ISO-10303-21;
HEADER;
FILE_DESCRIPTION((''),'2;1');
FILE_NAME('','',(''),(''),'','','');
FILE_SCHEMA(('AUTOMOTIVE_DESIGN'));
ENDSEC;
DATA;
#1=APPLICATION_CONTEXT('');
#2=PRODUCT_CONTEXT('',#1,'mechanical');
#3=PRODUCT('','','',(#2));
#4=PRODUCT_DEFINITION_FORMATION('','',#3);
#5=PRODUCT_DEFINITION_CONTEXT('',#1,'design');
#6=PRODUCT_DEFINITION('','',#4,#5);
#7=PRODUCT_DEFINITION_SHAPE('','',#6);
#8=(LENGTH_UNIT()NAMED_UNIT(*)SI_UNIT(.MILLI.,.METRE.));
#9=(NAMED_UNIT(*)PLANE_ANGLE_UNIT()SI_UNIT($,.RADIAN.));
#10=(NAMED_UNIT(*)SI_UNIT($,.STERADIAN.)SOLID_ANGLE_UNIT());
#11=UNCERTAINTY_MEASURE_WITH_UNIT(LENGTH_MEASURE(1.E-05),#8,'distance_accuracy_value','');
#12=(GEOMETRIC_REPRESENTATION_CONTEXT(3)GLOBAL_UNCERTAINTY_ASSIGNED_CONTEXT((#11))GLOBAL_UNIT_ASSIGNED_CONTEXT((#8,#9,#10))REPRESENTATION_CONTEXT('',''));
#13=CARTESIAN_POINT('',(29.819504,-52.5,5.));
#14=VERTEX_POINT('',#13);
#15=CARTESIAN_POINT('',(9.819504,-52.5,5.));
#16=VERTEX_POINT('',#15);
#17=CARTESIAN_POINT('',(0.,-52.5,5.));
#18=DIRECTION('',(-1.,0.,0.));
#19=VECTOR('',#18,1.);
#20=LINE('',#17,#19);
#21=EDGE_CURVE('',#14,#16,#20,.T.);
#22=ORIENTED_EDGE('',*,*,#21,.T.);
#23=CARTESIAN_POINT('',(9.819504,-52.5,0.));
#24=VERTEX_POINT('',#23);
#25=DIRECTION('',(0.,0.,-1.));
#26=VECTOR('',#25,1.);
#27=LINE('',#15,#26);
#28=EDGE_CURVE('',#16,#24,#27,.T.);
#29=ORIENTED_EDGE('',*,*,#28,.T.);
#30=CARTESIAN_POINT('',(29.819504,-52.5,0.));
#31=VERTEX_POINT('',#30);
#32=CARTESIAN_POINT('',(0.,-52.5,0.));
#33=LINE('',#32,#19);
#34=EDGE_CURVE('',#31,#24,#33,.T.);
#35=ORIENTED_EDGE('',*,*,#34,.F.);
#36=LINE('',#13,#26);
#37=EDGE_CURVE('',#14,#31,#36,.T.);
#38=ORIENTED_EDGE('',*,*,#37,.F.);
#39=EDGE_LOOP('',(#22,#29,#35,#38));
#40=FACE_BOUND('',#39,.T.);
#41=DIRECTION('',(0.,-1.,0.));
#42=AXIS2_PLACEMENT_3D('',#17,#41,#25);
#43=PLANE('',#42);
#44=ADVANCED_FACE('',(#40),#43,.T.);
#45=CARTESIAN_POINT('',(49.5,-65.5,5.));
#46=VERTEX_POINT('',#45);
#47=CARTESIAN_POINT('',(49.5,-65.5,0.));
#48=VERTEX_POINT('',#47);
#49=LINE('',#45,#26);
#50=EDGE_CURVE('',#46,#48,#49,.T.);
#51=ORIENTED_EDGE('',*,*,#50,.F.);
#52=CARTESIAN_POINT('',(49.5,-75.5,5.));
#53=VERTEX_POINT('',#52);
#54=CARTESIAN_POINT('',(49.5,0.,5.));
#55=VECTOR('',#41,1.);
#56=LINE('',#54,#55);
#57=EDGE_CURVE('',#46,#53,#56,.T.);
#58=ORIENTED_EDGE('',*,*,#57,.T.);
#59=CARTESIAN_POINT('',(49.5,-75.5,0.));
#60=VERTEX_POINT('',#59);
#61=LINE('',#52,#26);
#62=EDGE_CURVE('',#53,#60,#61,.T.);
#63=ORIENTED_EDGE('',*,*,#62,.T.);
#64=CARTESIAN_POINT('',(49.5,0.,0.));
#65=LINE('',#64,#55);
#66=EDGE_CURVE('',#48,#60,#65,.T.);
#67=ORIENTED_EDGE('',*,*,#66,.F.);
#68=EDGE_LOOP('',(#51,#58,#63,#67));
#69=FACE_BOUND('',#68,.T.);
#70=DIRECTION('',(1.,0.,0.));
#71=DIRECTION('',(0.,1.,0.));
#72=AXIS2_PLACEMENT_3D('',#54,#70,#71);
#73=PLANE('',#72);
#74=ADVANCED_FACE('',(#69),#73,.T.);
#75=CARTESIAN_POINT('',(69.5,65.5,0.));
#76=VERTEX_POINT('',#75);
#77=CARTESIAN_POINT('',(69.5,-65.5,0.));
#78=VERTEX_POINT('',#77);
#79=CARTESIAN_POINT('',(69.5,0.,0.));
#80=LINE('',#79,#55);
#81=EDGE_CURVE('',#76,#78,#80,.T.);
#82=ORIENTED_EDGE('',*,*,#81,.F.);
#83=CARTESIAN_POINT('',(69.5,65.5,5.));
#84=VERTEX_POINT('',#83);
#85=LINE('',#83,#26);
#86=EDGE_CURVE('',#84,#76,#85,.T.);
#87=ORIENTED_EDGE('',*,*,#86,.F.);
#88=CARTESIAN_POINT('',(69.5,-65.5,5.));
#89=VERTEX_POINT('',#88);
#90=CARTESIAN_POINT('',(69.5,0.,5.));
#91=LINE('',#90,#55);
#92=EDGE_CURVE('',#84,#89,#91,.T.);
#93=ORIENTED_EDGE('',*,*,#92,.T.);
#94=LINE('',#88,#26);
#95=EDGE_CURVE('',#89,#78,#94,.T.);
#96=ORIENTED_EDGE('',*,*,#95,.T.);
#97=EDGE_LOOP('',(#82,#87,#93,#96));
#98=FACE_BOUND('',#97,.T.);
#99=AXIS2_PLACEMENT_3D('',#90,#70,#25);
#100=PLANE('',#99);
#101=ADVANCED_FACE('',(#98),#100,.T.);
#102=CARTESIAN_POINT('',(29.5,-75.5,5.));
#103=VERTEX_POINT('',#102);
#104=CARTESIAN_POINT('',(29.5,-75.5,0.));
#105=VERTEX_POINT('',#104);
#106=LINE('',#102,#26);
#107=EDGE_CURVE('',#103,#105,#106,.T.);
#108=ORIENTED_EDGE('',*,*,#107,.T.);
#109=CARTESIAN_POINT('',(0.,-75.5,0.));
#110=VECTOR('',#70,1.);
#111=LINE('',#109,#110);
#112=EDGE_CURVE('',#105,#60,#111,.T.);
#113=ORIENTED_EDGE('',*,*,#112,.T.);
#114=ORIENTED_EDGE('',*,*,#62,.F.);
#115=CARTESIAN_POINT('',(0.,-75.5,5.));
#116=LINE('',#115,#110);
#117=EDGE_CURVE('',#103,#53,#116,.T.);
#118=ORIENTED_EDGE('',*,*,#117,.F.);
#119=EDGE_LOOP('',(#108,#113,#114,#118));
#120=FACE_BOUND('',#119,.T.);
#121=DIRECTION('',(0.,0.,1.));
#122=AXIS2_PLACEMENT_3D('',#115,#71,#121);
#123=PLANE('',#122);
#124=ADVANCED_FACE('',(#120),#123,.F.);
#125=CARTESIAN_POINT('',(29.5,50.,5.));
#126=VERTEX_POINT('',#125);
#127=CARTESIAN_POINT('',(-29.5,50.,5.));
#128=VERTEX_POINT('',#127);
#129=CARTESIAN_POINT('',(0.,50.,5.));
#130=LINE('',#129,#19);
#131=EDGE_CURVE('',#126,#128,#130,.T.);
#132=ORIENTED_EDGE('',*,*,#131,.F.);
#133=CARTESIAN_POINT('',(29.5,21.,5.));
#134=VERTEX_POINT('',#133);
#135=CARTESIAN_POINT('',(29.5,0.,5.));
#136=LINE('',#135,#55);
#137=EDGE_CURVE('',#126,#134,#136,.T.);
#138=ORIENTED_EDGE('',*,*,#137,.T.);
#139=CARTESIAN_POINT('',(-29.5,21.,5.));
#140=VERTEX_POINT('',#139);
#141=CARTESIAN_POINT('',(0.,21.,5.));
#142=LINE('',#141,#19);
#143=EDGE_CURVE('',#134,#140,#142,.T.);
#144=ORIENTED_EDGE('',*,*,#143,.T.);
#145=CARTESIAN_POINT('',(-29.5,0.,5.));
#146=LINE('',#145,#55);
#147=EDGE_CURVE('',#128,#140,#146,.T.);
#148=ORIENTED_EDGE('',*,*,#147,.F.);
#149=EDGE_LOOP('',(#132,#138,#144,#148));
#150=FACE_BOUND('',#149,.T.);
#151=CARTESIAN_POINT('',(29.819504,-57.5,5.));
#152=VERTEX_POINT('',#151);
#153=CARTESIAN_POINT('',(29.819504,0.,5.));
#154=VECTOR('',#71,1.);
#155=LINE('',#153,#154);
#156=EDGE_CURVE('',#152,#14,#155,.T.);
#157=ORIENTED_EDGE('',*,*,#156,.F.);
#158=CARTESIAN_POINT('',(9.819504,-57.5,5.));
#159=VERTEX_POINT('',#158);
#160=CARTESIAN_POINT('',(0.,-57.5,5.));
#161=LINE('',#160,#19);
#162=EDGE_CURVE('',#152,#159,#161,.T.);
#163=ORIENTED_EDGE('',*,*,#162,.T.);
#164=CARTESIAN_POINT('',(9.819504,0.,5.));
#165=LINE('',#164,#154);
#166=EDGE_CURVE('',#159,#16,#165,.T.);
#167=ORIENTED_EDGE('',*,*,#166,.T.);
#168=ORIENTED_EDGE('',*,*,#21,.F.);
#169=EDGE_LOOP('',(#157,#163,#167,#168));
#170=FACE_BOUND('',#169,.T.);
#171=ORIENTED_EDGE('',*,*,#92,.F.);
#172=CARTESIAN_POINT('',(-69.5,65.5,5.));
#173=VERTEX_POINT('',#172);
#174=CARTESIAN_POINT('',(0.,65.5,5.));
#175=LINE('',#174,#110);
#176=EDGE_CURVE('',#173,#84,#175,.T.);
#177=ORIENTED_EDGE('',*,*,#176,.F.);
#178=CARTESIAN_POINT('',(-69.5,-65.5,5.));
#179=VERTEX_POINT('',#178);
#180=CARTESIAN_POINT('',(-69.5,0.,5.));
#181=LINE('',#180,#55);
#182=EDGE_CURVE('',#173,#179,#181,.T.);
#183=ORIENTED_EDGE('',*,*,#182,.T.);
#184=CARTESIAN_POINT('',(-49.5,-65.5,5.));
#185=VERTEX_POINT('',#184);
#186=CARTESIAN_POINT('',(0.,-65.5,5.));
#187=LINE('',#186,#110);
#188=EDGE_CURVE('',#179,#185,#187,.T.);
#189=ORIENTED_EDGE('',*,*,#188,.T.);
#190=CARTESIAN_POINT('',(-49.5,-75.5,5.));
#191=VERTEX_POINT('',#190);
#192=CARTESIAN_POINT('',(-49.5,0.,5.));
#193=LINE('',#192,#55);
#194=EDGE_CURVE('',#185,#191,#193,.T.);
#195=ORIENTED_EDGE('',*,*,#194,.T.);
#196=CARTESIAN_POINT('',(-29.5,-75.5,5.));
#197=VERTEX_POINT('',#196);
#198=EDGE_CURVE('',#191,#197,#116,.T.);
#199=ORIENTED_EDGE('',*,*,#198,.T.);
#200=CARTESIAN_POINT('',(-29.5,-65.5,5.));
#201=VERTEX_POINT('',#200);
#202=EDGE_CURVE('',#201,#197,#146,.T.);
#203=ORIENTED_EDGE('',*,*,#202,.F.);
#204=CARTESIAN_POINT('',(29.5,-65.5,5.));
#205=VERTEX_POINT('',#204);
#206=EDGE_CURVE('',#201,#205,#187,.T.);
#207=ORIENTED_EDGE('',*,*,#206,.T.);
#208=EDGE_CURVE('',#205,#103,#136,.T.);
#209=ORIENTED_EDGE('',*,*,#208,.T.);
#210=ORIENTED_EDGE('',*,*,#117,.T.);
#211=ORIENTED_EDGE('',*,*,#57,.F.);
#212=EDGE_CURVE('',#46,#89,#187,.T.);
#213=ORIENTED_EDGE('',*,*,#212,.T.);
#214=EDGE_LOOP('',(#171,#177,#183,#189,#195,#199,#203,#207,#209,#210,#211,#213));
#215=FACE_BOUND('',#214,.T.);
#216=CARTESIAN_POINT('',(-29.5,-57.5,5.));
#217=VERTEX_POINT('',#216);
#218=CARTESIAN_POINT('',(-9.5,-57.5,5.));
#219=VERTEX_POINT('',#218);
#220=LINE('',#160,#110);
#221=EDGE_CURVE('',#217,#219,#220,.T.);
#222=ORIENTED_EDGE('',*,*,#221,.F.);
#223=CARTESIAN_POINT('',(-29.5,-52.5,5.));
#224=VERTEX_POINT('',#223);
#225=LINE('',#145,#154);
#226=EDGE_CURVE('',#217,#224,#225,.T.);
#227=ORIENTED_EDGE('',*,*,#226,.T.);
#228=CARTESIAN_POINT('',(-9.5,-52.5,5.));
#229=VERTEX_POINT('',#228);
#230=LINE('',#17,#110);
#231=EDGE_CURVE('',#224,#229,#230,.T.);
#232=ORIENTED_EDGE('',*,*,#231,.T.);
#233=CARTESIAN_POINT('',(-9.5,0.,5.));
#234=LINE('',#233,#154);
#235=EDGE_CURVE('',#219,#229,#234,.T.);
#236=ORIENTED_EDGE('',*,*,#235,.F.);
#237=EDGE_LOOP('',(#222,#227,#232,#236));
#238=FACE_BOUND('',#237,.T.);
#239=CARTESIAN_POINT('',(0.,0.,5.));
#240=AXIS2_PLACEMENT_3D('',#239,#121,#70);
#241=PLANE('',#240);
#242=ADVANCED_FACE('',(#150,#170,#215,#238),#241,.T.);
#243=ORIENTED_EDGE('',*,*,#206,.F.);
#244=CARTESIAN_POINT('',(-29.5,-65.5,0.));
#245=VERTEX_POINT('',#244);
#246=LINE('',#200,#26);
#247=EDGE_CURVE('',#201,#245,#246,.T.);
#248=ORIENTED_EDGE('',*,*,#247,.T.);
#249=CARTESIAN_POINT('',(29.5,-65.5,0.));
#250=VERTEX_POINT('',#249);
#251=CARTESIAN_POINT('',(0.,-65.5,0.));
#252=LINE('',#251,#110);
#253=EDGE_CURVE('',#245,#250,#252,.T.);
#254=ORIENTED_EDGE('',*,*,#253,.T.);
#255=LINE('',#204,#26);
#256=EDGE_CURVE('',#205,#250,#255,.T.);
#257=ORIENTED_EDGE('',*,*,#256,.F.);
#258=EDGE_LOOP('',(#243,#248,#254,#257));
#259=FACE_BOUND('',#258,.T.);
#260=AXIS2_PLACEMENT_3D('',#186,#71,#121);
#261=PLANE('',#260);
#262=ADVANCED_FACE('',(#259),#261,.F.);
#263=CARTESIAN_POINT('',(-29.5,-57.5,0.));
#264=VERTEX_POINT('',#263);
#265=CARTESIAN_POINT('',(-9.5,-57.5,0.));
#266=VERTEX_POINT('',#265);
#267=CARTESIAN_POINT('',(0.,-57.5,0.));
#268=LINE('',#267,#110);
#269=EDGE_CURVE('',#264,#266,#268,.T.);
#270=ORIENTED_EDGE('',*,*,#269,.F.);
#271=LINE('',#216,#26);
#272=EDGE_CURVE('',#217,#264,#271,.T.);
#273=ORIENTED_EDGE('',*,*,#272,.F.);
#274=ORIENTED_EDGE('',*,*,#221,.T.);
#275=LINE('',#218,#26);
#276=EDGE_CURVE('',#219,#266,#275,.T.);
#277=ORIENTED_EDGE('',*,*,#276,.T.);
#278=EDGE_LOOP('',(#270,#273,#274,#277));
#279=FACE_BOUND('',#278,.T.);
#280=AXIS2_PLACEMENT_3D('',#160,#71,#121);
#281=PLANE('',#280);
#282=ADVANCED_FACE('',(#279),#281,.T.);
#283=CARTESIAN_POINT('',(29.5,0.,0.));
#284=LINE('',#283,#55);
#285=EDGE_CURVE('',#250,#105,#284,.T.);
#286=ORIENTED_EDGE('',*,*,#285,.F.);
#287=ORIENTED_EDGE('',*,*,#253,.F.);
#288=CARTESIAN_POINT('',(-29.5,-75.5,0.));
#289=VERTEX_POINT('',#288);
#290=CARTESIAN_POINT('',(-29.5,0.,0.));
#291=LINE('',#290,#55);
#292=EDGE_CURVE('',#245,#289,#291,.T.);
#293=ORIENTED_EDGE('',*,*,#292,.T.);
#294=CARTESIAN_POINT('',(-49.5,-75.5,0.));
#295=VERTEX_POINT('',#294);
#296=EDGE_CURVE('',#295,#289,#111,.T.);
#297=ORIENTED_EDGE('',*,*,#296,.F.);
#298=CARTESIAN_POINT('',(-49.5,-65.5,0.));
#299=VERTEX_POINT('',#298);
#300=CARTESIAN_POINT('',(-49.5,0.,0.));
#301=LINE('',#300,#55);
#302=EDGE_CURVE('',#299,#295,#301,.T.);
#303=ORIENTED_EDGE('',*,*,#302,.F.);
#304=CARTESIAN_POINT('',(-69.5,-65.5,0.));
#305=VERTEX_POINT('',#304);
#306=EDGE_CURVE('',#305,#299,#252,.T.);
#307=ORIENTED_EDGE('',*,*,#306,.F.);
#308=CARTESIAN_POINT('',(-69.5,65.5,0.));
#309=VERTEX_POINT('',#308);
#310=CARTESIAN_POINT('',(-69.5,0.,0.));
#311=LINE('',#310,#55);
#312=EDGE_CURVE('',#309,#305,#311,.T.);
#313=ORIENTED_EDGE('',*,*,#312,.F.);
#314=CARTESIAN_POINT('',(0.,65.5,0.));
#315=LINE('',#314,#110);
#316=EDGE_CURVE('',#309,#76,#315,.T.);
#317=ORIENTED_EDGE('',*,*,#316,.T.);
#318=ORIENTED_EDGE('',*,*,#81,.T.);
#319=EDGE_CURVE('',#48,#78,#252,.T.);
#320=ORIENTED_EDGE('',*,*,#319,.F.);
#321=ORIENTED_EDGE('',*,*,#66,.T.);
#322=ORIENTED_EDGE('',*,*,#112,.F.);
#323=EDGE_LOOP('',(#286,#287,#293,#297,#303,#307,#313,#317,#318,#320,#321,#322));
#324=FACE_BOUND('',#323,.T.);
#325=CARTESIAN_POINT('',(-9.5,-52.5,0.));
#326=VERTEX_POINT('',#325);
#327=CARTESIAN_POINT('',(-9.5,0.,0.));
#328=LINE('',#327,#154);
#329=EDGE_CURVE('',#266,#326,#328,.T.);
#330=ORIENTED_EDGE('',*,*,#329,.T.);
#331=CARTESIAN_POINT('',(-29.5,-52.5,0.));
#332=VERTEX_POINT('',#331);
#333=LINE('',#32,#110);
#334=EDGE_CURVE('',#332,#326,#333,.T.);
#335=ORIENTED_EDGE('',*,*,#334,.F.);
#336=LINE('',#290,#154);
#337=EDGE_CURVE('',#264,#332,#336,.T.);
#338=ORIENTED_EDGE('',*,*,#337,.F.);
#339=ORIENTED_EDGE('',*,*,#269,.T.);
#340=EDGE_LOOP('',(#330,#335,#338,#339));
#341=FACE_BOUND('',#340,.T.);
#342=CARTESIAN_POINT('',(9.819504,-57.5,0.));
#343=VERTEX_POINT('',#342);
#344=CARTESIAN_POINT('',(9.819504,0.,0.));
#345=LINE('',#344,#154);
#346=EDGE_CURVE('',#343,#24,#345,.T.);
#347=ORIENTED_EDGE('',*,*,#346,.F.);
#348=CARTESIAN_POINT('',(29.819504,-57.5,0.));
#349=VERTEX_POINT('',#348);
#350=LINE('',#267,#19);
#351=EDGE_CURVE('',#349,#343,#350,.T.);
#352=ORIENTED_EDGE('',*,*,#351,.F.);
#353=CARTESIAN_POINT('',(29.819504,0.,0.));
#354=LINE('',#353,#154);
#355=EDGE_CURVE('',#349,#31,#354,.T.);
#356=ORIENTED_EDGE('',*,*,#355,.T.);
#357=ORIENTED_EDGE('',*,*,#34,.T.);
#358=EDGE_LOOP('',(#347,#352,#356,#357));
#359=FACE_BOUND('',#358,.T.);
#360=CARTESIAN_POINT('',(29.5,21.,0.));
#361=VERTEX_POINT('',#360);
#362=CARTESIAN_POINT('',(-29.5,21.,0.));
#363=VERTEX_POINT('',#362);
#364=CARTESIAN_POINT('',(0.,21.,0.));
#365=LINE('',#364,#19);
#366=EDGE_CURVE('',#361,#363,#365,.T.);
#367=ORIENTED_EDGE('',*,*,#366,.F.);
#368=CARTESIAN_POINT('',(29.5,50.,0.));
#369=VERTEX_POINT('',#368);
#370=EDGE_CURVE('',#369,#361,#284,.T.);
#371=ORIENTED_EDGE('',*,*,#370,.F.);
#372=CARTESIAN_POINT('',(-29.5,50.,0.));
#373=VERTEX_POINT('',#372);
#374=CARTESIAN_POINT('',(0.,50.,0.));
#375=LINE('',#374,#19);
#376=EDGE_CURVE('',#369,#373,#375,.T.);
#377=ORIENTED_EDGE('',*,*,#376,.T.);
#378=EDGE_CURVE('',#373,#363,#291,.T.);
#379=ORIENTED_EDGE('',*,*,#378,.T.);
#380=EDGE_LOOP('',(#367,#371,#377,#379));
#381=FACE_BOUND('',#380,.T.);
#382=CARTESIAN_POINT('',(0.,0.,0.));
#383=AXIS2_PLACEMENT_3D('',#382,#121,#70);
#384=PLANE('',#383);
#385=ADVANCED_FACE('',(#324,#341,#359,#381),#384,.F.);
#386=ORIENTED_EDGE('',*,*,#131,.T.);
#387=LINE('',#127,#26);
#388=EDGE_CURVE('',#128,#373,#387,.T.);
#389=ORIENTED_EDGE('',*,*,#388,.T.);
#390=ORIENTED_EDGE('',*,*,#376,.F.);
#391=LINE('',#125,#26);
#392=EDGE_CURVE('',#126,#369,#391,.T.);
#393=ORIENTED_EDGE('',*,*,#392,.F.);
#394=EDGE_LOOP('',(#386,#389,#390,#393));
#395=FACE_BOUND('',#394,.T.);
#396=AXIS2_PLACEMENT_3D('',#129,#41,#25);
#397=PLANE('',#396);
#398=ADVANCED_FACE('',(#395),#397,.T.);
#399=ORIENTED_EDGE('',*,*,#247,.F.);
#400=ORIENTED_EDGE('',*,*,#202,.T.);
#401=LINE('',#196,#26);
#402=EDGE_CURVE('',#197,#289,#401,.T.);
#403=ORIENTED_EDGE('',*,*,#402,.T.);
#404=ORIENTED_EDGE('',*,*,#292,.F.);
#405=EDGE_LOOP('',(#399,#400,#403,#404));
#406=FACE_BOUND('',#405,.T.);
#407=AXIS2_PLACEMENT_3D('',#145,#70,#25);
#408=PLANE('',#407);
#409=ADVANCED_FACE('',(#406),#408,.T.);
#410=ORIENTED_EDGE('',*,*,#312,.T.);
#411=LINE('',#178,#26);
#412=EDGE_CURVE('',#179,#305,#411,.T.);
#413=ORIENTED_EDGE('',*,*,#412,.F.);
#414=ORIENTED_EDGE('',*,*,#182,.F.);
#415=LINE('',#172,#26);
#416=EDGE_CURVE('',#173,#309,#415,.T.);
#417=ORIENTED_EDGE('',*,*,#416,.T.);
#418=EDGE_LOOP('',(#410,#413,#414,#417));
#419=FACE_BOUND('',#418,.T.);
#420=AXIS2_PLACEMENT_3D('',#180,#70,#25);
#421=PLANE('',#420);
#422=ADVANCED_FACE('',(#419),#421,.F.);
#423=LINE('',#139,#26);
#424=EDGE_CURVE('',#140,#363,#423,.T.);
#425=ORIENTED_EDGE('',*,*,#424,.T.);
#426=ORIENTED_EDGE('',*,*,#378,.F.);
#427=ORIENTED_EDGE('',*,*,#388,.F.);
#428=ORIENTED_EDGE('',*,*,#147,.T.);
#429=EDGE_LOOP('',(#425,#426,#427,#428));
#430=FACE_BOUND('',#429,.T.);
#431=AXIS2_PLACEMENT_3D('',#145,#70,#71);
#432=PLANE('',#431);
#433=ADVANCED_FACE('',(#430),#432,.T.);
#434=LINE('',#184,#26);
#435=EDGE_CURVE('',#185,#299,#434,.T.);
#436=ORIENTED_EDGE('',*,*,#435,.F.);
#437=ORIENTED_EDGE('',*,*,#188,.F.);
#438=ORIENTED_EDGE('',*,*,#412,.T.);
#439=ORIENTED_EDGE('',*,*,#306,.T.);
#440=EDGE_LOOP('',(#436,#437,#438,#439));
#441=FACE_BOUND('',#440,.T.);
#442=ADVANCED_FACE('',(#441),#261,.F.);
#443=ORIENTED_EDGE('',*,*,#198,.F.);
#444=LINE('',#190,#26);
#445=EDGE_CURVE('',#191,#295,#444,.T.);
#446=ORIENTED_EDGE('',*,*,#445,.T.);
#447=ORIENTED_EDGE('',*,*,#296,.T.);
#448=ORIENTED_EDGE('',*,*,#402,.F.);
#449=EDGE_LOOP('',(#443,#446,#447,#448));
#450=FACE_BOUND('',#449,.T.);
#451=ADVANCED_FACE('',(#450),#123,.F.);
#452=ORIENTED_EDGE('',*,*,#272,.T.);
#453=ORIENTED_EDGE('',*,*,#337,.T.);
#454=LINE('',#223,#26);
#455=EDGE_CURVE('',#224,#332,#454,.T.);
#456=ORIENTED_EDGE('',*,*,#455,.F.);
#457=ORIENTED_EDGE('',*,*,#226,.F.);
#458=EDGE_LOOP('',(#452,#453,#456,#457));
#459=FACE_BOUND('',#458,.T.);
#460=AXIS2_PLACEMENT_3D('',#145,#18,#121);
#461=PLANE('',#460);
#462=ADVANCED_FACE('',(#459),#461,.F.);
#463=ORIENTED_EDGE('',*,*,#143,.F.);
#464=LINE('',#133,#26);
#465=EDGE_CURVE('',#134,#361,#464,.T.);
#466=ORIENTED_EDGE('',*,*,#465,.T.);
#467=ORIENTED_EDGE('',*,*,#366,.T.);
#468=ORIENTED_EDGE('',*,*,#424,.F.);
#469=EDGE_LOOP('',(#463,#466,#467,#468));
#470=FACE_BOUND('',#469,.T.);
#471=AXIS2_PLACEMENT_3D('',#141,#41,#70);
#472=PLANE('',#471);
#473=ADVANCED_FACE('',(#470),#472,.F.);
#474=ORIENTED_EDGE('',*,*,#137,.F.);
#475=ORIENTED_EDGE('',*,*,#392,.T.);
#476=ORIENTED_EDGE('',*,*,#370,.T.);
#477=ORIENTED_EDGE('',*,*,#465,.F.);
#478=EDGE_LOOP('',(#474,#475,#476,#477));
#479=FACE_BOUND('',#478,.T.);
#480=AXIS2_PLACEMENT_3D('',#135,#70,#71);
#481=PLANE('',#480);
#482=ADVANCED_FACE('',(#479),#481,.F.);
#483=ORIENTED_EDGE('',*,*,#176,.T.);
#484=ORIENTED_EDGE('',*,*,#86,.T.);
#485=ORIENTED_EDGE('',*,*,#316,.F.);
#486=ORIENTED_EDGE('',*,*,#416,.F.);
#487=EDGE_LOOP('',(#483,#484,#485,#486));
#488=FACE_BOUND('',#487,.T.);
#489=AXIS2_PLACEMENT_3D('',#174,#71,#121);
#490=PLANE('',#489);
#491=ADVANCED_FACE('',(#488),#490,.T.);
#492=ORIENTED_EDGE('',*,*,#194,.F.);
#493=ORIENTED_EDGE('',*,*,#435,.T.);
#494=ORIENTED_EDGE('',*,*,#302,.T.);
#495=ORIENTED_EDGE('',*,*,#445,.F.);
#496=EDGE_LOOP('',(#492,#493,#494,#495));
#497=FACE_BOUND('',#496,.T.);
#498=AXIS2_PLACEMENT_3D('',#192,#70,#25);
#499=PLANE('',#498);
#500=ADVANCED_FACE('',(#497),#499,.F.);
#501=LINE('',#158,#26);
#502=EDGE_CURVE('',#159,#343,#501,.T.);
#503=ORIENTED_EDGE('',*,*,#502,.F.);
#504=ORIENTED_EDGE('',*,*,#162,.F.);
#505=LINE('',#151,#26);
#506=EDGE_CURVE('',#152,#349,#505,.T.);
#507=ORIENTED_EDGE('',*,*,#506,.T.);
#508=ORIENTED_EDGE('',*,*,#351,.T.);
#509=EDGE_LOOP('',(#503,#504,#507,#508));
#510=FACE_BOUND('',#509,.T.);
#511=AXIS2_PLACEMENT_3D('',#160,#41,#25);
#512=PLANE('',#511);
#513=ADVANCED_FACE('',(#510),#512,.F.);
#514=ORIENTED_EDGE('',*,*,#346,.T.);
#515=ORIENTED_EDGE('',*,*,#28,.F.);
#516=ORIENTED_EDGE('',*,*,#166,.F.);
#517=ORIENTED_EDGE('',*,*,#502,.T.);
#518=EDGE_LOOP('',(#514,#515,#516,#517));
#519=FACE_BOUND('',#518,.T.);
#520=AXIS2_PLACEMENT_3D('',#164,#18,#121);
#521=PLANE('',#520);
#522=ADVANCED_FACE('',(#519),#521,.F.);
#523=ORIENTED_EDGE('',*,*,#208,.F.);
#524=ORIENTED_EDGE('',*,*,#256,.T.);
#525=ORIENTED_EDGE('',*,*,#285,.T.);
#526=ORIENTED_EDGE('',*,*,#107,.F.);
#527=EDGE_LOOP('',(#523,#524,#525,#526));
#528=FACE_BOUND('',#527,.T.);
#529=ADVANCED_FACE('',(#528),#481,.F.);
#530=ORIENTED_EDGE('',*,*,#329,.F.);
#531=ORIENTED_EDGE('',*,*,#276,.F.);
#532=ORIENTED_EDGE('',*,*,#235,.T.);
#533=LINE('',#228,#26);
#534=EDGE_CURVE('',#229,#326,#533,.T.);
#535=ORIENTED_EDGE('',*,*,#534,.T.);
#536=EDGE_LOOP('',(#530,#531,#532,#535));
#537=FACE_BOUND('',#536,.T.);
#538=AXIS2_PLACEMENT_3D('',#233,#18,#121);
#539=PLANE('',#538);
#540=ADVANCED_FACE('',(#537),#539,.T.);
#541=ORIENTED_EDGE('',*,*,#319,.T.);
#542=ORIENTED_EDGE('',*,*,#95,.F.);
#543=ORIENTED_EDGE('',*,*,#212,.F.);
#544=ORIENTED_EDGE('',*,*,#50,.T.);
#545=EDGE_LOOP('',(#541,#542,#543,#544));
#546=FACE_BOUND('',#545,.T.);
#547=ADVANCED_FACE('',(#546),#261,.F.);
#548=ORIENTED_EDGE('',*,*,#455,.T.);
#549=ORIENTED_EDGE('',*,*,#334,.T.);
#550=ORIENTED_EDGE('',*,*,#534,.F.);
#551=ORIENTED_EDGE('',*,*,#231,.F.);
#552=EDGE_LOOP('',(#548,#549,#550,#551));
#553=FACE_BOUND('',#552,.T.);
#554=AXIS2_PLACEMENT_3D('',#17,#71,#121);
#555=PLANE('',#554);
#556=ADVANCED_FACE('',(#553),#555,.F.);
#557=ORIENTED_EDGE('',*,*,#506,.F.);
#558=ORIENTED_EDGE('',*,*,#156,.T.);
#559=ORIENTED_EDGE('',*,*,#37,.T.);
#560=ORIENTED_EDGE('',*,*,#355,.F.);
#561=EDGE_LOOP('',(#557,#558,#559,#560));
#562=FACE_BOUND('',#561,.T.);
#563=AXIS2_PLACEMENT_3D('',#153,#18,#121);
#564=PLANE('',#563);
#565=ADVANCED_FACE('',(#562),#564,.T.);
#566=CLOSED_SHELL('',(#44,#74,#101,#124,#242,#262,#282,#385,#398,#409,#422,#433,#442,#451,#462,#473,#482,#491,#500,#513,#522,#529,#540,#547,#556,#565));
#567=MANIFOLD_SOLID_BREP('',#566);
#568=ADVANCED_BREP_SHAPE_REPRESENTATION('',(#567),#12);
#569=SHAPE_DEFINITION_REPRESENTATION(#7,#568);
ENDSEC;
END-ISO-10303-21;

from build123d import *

# Parameters (mm, degrees)
SKETCH1_W           = 139
SKETCH1_H           = 131
SKETCH1_W_2         = 20
SKETCH1_H_2         = 5
SKETCH1_W_3         = 59
SKETCH1_H_3         = 29
SKETCH1_H_4         = 10
BOSS_EXTRUDE2_DEPTH = 5


with BuildPart() as part:
    # Sketch1 → Boss-Extrude2 (new body)
    with BuildSketch(Plane.XY):
        Rectangle(SKETCH1_W, SKETCH1_H)
        with Locations((-19.5, -55)):
            Rectangle(SKETCH1_W_2, SKETCH1_H_2, mode=Mode.SUBTRACT)
        with Locations((19.819504059, -55)):
            Rectangle(SKETCH1_W_2, SKETCH1_H_2, mode=Mode.SUBTRACT)
        with Locations((0, 35.5)):
            Rectangle(SKETCH1_W_3, SKETCH1_H_3, mode=Mode.SUBTRACT)
        with Locations((-39.5, -70.5)):
            Rectangle(SKETCH1_W_2, SKETCH1_H_4)
        with Locations((39.5, -70.5)):
            Rectangle(SKETCH1_W_2, SKETCH1_H_4)
    extrude(amount=BOSS_EXTRUDE2_DEPTH)


solid = part.part
